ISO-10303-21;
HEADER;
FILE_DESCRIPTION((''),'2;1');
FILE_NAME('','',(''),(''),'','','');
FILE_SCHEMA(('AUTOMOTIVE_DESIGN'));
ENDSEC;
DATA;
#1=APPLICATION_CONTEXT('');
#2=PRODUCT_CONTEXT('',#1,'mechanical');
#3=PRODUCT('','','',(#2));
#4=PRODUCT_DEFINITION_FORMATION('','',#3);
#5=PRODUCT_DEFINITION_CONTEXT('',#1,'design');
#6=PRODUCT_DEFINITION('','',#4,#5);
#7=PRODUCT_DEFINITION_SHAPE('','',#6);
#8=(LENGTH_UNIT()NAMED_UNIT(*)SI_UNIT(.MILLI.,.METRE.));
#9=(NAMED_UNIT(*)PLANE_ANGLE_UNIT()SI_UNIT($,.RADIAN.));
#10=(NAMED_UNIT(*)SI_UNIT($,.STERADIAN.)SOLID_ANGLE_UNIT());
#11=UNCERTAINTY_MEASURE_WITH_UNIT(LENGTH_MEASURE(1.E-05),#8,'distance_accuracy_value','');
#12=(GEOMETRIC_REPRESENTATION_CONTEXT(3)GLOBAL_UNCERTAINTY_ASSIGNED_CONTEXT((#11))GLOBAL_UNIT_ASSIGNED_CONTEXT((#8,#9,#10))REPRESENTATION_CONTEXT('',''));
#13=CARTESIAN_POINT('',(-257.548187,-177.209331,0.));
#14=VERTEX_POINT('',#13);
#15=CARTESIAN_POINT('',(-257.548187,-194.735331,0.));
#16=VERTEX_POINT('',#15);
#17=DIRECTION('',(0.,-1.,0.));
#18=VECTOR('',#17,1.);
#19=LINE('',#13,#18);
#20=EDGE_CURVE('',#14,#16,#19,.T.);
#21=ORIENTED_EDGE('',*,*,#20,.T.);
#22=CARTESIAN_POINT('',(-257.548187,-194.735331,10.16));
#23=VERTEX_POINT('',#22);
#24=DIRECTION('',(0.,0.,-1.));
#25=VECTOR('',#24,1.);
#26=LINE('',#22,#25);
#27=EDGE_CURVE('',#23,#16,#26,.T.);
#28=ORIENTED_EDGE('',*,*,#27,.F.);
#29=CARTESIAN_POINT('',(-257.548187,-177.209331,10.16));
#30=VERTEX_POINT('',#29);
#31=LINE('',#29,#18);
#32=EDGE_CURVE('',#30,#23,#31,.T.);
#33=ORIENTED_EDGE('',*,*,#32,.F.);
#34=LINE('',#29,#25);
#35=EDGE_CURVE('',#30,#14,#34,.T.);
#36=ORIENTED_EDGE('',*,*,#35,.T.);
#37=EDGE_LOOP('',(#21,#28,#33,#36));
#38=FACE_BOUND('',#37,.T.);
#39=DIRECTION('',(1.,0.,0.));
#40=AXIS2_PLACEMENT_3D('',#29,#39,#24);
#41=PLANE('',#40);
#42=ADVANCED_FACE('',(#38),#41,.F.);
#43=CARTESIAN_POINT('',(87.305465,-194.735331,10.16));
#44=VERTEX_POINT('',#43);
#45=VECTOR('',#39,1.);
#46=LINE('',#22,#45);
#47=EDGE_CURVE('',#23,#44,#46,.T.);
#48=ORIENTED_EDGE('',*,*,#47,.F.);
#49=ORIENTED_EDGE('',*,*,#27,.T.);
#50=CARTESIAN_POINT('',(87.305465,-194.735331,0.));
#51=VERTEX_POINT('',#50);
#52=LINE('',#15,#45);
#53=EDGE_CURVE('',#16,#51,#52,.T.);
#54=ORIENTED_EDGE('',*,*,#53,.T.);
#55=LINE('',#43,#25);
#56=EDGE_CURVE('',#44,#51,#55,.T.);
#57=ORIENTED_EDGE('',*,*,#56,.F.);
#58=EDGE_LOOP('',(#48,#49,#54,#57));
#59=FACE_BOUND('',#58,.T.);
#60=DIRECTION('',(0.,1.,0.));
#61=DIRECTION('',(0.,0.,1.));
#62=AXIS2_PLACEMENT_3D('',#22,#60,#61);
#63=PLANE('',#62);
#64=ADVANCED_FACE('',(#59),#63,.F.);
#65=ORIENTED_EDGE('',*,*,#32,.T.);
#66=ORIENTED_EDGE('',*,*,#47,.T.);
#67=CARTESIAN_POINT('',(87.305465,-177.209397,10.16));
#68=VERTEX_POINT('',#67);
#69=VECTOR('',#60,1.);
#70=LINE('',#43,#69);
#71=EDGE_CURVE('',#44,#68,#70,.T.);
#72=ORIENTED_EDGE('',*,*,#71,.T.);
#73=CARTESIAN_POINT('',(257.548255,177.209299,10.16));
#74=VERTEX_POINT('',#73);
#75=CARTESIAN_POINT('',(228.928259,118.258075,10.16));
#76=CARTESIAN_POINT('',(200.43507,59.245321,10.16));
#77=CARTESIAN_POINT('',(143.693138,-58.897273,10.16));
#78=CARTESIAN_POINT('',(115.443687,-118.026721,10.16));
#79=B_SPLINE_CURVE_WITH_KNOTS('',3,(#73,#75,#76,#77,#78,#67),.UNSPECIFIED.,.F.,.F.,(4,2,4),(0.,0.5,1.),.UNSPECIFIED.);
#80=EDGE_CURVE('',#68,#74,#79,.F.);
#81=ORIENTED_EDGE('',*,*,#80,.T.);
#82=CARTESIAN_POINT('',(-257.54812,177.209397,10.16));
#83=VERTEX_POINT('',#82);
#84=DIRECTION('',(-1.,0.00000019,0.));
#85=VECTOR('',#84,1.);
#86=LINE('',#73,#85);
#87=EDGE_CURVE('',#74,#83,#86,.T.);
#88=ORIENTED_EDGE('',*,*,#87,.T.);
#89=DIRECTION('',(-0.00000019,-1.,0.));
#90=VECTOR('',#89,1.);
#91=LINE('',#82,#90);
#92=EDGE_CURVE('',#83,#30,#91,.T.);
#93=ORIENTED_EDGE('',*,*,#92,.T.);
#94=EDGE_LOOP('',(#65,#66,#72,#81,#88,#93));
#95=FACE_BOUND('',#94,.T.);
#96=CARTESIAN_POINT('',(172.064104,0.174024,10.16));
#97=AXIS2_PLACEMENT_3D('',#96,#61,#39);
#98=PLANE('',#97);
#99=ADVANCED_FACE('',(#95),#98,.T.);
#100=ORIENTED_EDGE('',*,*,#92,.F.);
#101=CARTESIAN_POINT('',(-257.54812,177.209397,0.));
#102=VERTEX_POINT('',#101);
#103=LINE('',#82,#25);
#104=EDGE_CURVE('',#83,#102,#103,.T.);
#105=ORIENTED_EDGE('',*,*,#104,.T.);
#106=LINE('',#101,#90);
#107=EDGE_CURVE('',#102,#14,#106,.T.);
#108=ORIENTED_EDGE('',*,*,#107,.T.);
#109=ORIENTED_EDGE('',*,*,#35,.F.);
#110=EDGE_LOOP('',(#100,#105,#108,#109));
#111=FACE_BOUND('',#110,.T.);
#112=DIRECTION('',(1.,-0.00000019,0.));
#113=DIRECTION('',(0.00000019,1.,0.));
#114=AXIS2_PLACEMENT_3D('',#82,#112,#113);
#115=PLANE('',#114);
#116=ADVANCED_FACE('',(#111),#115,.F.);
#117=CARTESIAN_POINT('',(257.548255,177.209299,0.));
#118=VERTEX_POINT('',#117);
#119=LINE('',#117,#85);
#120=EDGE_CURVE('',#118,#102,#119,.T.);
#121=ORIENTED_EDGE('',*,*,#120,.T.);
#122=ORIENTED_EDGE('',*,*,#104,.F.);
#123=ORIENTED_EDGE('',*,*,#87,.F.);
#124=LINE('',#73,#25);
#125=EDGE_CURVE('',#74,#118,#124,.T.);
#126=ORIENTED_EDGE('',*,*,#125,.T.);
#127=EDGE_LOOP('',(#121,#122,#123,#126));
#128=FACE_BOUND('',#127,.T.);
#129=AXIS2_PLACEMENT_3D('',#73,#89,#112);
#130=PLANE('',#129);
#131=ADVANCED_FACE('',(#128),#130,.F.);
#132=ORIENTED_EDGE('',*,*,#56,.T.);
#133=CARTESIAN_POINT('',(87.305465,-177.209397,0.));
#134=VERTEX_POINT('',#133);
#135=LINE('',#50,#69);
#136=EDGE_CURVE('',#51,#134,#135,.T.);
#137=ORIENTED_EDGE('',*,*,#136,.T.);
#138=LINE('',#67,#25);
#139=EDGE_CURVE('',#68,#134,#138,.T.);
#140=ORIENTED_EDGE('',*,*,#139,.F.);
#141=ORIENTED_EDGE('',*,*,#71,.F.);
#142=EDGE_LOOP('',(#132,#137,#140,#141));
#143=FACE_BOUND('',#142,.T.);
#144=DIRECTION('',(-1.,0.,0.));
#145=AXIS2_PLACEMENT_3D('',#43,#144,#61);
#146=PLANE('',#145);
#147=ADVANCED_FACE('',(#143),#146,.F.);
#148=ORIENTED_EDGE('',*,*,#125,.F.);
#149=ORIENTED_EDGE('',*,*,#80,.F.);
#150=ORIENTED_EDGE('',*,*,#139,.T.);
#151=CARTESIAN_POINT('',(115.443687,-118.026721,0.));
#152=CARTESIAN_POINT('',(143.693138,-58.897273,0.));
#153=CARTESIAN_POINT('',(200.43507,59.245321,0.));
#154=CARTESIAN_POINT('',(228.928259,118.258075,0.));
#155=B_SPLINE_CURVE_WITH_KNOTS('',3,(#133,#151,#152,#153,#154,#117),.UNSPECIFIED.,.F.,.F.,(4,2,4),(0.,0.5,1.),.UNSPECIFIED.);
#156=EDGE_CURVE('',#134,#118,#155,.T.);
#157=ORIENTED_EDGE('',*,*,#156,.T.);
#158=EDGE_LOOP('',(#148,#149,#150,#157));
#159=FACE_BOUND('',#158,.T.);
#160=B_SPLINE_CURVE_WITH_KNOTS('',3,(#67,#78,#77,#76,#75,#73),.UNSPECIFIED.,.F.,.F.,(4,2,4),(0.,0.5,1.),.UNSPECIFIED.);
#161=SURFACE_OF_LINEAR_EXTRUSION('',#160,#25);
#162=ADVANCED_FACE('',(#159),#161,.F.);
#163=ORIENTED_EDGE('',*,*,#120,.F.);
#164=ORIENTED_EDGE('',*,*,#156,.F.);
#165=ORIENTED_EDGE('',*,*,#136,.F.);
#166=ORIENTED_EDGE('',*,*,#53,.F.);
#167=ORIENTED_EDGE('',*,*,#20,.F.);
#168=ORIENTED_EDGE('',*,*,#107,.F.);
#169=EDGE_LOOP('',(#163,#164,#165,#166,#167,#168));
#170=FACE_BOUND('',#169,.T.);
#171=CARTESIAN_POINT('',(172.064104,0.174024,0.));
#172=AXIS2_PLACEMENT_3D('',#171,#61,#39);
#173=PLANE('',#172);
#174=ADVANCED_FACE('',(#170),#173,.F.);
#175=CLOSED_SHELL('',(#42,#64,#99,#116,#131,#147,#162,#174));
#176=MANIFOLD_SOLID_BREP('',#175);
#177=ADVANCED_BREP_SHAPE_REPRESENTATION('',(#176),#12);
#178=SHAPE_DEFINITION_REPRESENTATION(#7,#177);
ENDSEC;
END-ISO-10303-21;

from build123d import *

# Parameters (mm, degrees)
BOSS_EXTRUDE2_DEPTH = 10.16


with BuildPart() as part:
    # Sketch1 → Boss-Extrude2 (new body)
    with BuildSketch(Plane.XY):
        with BuildLine():
            Line((257.548254828, 177.209298992), (-257.548120057, 177.209396927))
            Line((-257.548120057, 177.209396927), (-257.548187443, -177.20933136))
            Line((-257.548187443, -177.20933136), (-257.548187443, -194.73533136))
            Line((-257.548187443, -194.73533136), (87.305464804, -194.73533136))
            Line((87.305464804, -194.73533136), (87.305464804, -177.209396927))
            add(Edge.make_bspline(
                [(87.305464804, -177.209396927), (115.443687234, -118.026720576), (143.693138312, -58.89727283), (200.435070064, 59.245320553), (228.928258607, 118.258075422), (257.548254828, 177.209298992)],
                knots=[0, 0, 0, 0, 0.5, 0.5, 1, 1, 1, 1], degree=3))
        make_face()
    extrude(amount=BOSS_EXTRUDE2_DEPTH)


solid = part.part
